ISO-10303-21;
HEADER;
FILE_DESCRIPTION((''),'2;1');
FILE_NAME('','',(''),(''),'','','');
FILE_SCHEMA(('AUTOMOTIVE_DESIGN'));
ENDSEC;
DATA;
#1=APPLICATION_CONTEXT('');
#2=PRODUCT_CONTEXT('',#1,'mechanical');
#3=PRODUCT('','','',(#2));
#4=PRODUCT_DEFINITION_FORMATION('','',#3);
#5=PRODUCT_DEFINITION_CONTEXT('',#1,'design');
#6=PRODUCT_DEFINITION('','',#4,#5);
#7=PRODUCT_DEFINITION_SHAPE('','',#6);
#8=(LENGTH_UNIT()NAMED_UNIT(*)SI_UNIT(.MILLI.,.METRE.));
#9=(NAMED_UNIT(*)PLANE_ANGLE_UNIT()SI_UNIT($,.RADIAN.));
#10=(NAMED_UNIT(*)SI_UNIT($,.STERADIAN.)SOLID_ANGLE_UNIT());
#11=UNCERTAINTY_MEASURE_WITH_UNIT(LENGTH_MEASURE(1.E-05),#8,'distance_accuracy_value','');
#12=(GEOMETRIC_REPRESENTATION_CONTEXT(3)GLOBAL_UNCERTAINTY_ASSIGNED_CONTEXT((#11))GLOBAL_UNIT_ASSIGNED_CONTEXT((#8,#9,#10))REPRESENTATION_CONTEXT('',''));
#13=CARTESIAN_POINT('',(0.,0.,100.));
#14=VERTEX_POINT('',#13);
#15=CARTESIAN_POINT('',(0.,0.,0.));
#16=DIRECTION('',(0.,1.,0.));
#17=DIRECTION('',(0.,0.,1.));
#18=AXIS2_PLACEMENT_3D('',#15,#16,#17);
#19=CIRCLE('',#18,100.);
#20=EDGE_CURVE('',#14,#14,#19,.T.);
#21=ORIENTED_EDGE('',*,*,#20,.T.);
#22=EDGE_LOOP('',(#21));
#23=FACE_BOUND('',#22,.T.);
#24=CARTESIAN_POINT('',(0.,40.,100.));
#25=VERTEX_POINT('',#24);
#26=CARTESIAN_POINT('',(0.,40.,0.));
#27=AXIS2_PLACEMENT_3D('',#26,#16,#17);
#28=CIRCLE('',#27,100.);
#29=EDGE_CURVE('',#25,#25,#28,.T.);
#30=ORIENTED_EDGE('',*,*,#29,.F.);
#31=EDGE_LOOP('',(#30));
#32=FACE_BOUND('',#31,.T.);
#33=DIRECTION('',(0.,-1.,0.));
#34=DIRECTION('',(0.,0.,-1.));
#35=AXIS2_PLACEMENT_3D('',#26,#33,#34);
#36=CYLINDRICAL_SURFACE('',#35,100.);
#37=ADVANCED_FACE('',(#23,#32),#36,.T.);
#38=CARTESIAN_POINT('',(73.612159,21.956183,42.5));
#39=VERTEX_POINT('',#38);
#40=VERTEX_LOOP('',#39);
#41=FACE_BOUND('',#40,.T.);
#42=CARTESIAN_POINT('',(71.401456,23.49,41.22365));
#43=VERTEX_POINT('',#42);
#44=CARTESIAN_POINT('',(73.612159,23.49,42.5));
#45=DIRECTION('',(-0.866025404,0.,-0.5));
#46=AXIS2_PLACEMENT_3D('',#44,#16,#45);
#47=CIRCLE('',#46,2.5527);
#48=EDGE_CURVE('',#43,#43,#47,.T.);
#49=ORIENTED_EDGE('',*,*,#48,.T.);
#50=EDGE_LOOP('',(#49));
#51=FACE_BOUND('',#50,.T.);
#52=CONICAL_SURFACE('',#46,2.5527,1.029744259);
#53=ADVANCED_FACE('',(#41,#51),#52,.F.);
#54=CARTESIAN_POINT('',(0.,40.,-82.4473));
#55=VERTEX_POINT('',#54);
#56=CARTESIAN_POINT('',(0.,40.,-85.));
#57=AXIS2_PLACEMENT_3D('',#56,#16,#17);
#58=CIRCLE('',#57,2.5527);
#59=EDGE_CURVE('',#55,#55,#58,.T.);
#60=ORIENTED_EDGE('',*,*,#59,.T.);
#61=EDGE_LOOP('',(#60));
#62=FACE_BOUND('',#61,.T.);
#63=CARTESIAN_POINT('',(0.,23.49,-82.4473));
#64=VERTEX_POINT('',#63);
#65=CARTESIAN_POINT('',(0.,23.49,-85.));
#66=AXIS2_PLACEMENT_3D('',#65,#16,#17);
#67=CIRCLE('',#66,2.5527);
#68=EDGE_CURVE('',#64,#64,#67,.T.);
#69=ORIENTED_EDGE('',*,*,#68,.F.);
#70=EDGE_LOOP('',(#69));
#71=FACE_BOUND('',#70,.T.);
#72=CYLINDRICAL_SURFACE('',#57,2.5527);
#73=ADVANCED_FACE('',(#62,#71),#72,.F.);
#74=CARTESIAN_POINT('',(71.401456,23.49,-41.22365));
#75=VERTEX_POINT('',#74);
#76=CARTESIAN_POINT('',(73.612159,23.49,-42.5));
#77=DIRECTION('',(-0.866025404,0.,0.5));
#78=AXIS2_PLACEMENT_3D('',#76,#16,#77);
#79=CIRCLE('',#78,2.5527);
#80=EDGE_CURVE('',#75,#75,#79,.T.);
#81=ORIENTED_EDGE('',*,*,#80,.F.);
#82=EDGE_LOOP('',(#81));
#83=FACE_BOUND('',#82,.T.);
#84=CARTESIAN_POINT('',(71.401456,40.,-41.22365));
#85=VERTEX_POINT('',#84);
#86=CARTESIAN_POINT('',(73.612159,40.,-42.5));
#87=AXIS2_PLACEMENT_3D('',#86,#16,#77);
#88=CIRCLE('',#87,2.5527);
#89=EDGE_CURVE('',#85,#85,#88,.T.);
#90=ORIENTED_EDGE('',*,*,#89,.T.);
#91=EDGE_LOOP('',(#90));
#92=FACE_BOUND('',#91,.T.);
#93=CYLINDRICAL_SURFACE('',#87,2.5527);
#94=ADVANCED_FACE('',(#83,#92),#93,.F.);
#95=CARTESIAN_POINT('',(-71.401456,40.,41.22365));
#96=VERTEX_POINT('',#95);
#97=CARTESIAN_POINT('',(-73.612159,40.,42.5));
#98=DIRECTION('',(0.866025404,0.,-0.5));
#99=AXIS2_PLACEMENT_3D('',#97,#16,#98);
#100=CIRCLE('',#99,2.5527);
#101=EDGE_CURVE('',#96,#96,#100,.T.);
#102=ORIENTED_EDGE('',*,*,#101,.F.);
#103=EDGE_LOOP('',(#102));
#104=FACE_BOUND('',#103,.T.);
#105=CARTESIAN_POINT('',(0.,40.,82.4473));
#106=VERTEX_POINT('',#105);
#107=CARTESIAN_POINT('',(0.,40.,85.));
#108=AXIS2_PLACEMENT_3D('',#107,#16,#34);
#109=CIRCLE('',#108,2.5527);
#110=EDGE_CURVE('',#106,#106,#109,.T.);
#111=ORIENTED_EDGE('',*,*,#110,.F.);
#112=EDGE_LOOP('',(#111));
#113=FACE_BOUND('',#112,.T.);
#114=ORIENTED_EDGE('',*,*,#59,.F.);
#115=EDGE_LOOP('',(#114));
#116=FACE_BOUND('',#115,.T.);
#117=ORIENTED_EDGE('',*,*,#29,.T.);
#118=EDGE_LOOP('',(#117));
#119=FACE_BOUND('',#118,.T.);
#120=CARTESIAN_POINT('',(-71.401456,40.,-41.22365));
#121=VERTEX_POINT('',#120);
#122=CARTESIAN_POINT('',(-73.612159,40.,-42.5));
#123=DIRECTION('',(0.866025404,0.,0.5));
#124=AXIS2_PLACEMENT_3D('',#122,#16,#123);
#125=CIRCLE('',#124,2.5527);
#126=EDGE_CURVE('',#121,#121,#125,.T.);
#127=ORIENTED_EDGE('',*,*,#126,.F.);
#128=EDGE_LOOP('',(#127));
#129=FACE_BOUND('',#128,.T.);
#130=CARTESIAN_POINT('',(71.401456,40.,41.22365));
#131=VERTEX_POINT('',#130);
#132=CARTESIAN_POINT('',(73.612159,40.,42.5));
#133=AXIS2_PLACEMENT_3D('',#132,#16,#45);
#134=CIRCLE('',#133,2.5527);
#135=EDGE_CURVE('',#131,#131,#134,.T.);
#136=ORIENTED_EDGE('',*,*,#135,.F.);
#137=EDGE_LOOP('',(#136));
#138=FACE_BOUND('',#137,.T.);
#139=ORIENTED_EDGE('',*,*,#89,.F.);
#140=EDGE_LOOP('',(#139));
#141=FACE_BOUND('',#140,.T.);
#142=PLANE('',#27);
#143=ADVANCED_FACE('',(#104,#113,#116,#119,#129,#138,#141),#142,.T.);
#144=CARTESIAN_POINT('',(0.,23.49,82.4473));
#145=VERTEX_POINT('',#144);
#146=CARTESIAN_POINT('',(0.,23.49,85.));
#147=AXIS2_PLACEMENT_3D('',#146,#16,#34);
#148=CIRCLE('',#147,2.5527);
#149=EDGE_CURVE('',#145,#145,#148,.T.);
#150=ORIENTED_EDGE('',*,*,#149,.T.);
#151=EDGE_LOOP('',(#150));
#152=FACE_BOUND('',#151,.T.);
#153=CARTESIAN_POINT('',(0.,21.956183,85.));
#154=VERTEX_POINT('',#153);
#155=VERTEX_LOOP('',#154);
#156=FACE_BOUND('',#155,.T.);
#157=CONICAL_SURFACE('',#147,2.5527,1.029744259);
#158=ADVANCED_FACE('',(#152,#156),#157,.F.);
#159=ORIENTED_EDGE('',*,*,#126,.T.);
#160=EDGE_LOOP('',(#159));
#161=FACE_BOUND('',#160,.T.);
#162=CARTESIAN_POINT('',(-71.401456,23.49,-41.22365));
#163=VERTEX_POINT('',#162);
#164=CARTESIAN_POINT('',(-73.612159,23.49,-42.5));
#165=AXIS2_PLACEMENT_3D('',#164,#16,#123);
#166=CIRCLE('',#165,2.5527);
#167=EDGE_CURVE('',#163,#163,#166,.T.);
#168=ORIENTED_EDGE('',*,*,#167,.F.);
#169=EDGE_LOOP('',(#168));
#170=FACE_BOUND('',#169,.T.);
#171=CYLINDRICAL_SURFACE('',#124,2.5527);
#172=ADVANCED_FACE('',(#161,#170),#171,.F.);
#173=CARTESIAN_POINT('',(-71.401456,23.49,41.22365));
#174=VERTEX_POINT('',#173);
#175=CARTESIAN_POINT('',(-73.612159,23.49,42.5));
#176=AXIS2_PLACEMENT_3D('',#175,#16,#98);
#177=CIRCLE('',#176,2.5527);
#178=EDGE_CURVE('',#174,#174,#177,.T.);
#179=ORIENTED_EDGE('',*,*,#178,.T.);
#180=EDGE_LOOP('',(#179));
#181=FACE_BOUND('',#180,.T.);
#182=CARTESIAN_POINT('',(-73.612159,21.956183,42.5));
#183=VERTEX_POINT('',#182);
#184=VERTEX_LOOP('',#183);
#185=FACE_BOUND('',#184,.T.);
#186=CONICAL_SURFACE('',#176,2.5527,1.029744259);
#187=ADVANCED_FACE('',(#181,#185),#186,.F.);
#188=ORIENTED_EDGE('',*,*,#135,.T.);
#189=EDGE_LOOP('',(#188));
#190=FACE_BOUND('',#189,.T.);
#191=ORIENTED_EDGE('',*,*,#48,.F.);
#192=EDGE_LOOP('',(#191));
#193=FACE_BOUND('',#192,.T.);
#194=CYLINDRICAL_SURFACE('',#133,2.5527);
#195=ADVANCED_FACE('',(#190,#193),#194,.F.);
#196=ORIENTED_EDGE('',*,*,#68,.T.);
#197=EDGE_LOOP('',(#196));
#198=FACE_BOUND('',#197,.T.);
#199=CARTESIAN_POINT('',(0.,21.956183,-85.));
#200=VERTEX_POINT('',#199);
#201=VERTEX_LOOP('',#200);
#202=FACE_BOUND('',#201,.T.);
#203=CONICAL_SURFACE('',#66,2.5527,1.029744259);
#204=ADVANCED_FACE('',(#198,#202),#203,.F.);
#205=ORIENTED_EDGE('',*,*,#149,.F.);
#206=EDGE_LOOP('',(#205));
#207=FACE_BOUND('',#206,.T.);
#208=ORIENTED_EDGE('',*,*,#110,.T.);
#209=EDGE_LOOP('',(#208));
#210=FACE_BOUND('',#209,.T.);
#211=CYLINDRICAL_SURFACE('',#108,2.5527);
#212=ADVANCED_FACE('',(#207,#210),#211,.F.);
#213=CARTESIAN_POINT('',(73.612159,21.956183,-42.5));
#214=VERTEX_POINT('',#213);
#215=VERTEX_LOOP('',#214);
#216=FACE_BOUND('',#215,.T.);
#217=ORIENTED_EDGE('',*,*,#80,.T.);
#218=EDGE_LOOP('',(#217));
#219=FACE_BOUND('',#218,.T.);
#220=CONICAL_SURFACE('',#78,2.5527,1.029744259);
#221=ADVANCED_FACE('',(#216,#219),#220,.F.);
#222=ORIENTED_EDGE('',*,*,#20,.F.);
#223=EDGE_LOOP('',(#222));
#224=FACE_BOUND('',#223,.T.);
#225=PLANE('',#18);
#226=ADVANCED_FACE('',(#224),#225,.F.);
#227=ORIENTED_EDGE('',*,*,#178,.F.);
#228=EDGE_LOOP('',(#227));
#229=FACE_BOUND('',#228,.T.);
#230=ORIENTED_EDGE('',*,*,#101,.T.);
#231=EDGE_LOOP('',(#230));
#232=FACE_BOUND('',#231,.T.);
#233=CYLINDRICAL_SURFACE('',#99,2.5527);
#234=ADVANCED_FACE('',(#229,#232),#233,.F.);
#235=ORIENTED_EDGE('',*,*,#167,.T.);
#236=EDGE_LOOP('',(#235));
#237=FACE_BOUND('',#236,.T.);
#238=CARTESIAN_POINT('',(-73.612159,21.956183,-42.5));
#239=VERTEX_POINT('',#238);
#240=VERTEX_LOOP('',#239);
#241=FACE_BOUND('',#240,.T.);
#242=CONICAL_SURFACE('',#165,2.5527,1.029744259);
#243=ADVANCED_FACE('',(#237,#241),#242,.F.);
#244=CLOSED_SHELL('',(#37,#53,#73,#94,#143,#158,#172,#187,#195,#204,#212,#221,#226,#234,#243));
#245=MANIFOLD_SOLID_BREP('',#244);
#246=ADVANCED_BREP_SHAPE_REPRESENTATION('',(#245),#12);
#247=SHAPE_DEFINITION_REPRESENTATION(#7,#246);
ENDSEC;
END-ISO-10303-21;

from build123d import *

# Parameters (mm, degrees)
SKETCH1_R           = 100
BOSS_EXTRUDE1_DEPTH = 40
CIRPATTERN1_COUNT   = 6


with BuildPart() as part:
    # Sketch1 → Boss-Extrude1 (new body)
    with BuildSketch(Plane(origin=(0, 0, 0), x_dir=(1, 0, 0), z_dir=(0, 1, 0))):
        with Locations(Location((0, 0, 0), (0, 0, 270))):
            Circle(SKETCH1_R)
    extrude(amount=BOSS_EXTRUDE1_DEPTH)

    # Sketch2 → 1/4-20 Tapped Hole1 (revolve, cut)
    with BuildSketch(Plane(origin=(0, 40, -85), x_dir=(0, 0, 1), z_dir=(1, 0, 0))):
        Polygon((0, 0), (0, 18.043816902), (2.5527, 16.51), (2.5527, 0), align=None)
    f_1_4_20_tapped_hole1 = revolve(axis=Axis((0, 46.35, -85), (0, -1, 0)), mode=Mode.SUBTRACT)

    # CirPattern1: 1/4-20 Tapped Hole1 ×6 about axis
    cirpattern1_axis = Axis((0, 0, 0), (0, 1, 0))
    for i in range(1, CIRPATTERN1_COUNT):
        add(f_1_4_20_tapped_hole1.rotate(cirpattern1_axis, i * 360 / CIRPATTERN1_COUNT), mode=Mode.SUBTRACT)


solid = part.part
